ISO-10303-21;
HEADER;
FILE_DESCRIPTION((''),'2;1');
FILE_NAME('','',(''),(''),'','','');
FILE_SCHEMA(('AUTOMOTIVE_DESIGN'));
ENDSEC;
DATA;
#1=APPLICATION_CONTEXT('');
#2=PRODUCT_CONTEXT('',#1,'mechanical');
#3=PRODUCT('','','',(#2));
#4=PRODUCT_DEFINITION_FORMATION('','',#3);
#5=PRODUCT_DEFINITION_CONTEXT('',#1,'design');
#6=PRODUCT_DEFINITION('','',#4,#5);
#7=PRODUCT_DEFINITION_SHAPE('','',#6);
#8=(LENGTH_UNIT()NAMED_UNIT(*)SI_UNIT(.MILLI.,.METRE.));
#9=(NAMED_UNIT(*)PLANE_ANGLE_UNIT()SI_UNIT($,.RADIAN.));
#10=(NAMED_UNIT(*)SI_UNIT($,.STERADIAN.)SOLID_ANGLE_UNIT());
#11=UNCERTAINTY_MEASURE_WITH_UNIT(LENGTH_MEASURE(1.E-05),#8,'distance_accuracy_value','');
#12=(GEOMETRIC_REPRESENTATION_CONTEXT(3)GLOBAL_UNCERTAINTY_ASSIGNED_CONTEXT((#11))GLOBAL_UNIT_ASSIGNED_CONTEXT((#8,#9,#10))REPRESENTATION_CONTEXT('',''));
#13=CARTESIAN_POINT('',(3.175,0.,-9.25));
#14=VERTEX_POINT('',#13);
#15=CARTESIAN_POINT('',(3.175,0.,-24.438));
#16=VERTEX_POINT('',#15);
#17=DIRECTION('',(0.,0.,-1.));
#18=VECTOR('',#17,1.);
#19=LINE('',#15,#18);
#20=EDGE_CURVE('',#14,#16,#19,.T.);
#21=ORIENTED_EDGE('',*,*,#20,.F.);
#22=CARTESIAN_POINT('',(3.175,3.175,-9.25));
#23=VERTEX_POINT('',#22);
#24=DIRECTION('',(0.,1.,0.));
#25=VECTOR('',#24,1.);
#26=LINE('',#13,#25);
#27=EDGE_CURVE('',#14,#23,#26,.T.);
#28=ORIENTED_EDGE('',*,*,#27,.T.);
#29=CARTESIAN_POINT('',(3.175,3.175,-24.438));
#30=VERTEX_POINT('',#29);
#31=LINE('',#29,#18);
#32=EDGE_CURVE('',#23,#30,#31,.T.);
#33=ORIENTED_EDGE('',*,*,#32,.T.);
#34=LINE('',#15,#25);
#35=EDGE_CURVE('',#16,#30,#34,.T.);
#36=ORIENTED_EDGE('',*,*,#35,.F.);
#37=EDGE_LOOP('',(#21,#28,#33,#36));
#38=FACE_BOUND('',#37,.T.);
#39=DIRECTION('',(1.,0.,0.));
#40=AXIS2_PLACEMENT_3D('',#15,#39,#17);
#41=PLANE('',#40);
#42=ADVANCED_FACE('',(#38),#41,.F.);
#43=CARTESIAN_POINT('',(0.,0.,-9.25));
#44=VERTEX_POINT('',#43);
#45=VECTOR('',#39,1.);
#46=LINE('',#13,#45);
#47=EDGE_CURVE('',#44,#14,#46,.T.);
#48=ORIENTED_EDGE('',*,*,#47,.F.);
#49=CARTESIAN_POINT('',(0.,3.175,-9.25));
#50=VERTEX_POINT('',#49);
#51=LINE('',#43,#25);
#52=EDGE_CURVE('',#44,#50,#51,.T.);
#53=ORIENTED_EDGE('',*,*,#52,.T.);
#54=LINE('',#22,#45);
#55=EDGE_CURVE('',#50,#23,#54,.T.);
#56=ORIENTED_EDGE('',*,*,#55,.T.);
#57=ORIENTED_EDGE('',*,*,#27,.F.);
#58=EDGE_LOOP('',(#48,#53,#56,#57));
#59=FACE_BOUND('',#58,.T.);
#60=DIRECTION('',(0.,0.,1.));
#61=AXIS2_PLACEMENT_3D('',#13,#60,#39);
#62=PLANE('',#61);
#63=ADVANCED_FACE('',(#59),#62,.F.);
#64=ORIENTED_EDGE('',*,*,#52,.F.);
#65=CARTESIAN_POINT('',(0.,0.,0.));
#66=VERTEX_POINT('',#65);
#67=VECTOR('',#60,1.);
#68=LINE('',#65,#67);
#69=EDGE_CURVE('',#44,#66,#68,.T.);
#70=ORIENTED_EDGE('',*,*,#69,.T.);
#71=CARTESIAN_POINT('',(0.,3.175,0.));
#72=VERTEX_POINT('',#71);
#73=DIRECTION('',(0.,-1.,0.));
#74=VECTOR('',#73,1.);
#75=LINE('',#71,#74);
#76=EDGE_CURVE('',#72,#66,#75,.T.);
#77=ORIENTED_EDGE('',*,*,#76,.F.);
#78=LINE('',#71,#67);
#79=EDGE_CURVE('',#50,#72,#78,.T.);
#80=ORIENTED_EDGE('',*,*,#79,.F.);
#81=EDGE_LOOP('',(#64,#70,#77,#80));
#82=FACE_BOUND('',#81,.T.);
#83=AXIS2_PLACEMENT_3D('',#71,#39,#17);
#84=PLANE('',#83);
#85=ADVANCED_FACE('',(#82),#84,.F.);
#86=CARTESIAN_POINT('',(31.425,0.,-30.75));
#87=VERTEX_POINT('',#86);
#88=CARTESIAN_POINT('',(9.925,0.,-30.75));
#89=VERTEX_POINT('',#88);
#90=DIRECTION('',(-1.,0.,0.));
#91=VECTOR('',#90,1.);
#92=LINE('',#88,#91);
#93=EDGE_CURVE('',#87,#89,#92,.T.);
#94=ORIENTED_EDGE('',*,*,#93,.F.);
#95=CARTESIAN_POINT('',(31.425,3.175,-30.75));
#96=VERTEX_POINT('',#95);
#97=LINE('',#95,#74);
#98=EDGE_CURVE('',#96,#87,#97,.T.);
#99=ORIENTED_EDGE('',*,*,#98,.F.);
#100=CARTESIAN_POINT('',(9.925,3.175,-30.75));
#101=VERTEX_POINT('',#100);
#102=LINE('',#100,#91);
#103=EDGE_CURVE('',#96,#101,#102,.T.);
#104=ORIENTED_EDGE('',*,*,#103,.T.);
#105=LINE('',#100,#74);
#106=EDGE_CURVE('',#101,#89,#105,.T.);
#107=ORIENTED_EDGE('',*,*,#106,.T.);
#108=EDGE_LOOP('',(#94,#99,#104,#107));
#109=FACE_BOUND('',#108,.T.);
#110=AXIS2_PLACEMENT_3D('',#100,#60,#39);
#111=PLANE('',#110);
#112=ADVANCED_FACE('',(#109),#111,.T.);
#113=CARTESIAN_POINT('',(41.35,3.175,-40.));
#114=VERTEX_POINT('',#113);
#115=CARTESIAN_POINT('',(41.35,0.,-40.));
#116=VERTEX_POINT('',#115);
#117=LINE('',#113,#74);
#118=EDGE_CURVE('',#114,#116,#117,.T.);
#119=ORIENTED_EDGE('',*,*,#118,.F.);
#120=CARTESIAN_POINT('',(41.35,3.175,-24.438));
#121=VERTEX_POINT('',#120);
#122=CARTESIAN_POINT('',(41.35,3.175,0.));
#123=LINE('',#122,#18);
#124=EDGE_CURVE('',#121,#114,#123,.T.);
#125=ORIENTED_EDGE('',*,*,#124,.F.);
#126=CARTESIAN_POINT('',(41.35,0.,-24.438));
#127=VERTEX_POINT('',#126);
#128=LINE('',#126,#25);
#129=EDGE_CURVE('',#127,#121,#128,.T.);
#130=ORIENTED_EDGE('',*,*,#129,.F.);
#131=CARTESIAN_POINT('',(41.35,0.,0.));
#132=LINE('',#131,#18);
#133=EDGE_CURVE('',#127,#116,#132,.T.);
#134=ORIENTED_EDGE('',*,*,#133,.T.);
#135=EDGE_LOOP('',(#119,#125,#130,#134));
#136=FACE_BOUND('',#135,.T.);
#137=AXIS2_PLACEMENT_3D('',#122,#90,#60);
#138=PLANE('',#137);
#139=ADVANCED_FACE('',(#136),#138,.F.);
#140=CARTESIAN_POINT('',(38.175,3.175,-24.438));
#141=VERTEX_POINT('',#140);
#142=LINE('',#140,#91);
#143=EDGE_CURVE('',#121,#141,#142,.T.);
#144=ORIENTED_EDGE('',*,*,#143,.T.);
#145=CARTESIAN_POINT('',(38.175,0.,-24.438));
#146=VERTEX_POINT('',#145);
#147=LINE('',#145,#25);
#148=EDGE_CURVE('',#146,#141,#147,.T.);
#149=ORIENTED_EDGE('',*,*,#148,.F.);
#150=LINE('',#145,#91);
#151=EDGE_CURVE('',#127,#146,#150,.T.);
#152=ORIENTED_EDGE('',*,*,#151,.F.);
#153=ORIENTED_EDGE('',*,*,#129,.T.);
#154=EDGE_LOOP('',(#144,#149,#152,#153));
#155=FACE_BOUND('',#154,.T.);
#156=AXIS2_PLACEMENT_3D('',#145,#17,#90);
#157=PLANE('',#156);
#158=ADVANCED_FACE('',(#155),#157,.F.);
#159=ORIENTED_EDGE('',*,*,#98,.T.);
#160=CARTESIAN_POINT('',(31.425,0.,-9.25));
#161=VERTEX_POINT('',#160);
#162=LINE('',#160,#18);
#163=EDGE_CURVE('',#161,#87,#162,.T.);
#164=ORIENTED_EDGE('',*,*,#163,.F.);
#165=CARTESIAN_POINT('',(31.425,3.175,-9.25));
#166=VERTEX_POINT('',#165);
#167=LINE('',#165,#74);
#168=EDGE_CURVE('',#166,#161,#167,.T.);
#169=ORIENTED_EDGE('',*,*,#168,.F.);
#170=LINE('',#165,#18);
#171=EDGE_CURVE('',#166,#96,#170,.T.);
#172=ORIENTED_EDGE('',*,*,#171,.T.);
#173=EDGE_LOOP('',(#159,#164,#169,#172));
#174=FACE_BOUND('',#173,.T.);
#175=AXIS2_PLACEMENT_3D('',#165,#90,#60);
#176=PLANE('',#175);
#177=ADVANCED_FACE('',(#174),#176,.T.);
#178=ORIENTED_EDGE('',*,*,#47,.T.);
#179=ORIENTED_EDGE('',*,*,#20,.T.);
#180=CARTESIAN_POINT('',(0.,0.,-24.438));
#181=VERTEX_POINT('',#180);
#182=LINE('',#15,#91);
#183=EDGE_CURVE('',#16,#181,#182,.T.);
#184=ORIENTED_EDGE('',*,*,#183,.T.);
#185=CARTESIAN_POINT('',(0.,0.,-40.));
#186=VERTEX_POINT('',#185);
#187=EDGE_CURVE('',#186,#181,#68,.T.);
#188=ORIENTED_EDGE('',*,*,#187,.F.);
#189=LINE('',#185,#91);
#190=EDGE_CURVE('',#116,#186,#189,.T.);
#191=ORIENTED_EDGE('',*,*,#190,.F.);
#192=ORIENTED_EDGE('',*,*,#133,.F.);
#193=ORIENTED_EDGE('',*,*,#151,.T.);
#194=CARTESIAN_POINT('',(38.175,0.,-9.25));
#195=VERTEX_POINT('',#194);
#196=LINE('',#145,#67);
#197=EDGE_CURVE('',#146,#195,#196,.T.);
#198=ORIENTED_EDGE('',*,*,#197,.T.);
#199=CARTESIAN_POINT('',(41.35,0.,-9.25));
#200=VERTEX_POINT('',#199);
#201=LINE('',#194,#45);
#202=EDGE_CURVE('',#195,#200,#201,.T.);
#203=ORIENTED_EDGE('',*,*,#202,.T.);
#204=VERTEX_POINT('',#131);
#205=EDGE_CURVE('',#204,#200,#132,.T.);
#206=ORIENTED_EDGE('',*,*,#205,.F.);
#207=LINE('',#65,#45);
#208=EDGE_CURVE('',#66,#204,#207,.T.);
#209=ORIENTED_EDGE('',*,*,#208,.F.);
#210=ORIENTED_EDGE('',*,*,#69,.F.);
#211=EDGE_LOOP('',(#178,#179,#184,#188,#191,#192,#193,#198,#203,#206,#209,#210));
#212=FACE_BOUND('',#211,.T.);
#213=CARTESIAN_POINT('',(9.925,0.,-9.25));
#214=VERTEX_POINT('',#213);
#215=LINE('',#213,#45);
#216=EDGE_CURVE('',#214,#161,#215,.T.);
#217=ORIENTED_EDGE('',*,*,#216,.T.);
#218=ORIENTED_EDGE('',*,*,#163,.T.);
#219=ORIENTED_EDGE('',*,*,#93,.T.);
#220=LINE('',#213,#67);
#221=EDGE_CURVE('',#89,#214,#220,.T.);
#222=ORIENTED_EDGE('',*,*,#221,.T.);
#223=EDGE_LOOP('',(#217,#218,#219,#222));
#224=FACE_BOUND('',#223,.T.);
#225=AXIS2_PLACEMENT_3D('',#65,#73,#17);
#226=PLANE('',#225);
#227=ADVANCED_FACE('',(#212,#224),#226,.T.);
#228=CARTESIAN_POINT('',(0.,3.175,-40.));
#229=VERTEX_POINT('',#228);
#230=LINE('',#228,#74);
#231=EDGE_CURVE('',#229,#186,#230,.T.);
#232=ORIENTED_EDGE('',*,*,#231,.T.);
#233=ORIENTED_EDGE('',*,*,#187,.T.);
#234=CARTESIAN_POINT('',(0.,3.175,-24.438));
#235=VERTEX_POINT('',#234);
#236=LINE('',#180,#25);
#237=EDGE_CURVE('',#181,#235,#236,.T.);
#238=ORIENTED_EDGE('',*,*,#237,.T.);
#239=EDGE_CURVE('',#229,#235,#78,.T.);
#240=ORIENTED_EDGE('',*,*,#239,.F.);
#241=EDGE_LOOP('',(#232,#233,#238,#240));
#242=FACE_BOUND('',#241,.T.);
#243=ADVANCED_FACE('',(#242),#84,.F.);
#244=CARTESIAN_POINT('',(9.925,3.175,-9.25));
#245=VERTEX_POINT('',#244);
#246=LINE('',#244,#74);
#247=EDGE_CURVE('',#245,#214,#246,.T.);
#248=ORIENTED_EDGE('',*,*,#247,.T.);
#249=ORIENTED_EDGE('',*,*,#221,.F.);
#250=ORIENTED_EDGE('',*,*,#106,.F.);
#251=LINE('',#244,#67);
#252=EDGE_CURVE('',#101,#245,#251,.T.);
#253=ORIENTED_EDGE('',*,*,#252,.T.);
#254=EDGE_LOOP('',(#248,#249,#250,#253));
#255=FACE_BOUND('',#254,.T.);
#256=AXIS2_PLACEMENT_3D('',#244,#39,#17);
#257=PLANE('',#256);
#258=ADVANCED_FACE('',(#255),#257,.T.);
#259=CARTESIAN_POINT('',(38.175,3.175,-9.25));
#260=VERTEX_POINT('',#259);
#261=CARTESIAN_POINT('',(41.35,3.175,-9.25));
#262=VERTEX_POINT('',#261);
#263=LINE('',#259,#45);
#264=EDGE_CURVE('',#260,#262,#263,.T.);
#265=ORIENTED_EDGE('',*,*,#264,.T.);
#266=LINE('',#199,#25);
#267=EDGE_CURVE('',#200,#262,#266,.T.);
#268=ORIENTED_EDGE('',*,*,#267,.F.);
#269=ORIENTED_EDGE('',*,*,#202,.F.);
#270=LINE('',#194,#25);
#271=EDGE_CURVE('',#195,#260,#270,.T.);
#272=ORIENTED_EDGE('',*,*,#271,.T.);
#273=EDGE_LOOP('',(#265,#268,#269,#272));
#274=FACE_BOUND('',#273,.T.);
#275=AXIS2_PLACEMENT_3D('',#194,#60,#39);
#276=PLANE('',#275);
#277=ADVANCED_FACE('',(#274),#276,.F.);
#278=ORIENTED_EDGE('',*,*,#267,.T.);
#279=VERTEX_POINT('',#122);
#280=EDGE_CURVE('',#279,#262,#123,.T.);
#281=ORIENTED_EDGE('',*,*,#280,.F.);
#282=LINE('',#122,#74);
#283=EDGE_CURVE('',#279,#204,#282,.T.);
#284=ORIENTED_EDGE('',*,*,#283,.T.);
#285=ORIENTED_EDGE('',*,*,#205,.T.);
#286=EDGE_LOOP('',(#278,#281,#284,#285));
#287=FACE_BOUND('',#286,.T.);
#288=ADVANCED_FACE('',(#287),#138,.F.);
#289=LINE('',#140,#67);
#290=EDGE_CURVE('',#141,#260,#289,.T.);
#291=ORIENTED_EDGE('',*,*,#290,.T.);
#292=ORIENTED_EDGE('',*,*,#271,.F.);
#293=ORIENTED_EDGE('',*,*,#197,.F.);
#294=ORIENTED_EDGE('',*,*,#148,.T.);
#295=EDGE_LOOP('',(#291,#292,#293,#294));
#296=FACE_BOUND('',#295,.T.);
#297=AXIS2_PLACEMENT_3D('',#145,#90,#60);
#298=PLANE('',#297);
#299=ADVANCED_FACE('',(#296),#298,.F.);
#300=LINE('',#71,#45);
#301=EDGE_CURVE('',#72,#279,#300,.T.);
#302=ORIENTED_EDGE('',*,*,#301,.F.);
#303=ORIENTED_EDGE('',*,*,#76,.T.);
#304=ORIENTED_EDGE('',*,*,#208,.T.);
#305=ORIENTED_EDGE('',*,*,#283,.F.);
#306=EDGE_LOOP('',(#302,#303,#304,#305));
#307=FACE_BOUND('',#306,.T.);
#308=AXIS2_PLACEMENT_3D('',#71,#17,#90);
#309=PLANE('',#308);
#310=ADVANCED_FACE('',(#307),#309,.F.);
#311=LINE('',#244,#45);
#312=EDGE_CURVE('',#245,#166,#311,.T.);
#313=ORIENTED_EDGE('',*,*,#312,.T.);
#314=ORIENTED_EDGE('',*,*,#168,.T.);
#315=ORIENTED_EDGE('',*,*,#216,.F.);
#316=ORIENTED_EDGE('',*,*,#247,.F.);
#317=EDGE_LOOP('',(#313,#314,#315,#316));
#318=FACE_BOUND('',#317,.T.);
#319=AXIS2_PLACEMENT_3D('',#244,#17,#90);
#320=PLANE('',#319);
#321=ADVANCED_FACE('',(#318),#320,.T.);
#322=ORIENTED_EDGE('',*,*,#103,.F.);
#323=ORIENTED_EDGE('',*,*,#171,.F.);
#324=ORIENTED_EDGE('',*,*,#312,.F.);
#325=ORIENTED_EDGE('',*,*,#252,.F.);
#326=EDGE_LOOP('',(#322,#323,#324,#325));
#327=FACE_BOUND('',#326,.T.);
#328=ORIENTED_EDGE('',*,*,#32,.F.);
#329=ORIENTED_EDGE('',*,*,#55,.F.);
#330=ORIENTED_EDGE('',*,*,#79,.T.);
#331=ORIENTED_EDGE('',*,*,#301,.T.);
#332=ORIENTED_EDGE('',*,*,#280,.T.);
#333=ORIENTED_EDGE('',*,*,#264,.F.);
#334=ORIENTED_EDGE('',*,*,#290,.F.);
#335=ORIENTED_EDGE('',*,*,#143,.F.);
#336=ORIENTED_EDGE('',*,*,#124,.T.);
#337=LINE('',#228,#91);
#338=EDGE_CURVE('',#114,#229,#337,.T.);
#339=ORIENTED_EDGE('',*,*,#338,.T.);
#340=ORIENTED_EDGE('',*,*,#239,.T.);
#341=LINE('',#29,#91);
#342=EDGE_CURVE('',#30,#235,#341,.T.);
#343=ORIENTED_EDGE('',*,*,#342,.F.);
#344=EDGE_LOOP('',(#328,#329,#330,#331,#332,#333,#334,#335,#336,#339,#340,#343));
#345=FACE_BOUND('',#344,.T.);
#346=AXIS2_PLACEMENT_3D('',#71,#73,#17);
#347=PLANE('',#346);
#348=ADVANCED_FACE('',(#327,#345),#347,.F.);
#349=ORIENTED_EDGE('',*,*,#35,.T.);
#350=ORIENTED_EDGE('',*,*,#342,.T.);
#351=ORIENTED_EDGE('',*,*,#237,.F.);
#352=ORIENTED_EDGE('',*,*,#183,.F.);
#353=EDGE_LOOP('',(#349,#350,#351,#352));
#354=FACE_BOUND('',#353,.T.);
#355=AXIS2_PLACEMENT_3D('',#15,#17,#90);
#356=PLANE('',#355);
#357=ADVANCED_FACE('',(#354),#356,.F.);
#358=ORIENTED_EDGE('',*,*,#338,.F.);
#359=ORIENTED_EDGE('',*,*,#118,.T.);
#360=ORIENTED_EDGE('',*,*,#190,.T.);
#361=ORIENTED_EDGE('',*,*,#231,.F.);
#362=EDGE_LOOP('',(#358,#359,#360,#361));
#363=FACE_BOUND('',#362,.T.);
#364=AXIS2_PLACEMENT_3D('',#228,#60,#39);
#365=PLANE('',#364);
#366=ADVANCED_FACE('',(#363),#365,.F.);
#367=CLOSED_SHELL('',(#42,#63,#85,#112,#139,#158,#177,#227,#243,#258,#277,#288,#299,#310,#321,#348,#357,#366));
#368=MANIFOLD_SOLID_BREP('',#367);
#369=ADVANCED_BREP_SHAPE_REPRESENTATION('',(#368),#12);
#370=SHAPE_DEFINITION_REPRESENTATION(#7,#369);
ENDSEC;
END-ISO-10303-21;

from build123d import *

# Parameters (mm, degrees)
SKETCH1_W           = 41.35
SKETCH1_H           = 40
SKETCH1_W_2         = 21.5
SKETCH1_H_2         = 21.5
BOSS_EXTRUDE1_DEPTH = 3.175
SKETCH2_W           = 3.175
SKETCH2_H           = 15.188
CUT_EXTRUDE1_DEPTH  = 4.175


with BuildPart() as part:
    # Sketch1 → Boss-Extrude1 (new body)
    with BuildSketch(Plane(origin=(0, 0, 0), x_dir=(1, 0, 0), z_dir=(0, 1, 0))):
        with Locations((20.675, 20)):
            Rectangle(SKETCH1_W, SKETCH1_H)
        with Locations((20.675, 20)):
            Rectangle(SKETCH1_W_2, SKETCH1_H_2, mode=Mode.SUBTRACT)
    extrude(amount=BOSS_EXTRUDE1_DEPTH)

    # Sketch2 → Cut-Extrude1 (cut, through all)
    with BuildSketch(Plane(origin=(0, 3.175, 0), x_dir=(1, 0, 0), z_dir=(0, 1, 0))):
        with Locations((39.7625, 16.844)):
            Rectangle(SKETCH2_W, SKETCH2_H)
        with Locations((1.5875, 16.844)):
            Rectangle(SKETCH2_W, SKETCH2_H)
    extrude(amount=-CUT_EXTRUDE1_DEPTH, mode=Mode.SUBTRACT)


solid = part.part
